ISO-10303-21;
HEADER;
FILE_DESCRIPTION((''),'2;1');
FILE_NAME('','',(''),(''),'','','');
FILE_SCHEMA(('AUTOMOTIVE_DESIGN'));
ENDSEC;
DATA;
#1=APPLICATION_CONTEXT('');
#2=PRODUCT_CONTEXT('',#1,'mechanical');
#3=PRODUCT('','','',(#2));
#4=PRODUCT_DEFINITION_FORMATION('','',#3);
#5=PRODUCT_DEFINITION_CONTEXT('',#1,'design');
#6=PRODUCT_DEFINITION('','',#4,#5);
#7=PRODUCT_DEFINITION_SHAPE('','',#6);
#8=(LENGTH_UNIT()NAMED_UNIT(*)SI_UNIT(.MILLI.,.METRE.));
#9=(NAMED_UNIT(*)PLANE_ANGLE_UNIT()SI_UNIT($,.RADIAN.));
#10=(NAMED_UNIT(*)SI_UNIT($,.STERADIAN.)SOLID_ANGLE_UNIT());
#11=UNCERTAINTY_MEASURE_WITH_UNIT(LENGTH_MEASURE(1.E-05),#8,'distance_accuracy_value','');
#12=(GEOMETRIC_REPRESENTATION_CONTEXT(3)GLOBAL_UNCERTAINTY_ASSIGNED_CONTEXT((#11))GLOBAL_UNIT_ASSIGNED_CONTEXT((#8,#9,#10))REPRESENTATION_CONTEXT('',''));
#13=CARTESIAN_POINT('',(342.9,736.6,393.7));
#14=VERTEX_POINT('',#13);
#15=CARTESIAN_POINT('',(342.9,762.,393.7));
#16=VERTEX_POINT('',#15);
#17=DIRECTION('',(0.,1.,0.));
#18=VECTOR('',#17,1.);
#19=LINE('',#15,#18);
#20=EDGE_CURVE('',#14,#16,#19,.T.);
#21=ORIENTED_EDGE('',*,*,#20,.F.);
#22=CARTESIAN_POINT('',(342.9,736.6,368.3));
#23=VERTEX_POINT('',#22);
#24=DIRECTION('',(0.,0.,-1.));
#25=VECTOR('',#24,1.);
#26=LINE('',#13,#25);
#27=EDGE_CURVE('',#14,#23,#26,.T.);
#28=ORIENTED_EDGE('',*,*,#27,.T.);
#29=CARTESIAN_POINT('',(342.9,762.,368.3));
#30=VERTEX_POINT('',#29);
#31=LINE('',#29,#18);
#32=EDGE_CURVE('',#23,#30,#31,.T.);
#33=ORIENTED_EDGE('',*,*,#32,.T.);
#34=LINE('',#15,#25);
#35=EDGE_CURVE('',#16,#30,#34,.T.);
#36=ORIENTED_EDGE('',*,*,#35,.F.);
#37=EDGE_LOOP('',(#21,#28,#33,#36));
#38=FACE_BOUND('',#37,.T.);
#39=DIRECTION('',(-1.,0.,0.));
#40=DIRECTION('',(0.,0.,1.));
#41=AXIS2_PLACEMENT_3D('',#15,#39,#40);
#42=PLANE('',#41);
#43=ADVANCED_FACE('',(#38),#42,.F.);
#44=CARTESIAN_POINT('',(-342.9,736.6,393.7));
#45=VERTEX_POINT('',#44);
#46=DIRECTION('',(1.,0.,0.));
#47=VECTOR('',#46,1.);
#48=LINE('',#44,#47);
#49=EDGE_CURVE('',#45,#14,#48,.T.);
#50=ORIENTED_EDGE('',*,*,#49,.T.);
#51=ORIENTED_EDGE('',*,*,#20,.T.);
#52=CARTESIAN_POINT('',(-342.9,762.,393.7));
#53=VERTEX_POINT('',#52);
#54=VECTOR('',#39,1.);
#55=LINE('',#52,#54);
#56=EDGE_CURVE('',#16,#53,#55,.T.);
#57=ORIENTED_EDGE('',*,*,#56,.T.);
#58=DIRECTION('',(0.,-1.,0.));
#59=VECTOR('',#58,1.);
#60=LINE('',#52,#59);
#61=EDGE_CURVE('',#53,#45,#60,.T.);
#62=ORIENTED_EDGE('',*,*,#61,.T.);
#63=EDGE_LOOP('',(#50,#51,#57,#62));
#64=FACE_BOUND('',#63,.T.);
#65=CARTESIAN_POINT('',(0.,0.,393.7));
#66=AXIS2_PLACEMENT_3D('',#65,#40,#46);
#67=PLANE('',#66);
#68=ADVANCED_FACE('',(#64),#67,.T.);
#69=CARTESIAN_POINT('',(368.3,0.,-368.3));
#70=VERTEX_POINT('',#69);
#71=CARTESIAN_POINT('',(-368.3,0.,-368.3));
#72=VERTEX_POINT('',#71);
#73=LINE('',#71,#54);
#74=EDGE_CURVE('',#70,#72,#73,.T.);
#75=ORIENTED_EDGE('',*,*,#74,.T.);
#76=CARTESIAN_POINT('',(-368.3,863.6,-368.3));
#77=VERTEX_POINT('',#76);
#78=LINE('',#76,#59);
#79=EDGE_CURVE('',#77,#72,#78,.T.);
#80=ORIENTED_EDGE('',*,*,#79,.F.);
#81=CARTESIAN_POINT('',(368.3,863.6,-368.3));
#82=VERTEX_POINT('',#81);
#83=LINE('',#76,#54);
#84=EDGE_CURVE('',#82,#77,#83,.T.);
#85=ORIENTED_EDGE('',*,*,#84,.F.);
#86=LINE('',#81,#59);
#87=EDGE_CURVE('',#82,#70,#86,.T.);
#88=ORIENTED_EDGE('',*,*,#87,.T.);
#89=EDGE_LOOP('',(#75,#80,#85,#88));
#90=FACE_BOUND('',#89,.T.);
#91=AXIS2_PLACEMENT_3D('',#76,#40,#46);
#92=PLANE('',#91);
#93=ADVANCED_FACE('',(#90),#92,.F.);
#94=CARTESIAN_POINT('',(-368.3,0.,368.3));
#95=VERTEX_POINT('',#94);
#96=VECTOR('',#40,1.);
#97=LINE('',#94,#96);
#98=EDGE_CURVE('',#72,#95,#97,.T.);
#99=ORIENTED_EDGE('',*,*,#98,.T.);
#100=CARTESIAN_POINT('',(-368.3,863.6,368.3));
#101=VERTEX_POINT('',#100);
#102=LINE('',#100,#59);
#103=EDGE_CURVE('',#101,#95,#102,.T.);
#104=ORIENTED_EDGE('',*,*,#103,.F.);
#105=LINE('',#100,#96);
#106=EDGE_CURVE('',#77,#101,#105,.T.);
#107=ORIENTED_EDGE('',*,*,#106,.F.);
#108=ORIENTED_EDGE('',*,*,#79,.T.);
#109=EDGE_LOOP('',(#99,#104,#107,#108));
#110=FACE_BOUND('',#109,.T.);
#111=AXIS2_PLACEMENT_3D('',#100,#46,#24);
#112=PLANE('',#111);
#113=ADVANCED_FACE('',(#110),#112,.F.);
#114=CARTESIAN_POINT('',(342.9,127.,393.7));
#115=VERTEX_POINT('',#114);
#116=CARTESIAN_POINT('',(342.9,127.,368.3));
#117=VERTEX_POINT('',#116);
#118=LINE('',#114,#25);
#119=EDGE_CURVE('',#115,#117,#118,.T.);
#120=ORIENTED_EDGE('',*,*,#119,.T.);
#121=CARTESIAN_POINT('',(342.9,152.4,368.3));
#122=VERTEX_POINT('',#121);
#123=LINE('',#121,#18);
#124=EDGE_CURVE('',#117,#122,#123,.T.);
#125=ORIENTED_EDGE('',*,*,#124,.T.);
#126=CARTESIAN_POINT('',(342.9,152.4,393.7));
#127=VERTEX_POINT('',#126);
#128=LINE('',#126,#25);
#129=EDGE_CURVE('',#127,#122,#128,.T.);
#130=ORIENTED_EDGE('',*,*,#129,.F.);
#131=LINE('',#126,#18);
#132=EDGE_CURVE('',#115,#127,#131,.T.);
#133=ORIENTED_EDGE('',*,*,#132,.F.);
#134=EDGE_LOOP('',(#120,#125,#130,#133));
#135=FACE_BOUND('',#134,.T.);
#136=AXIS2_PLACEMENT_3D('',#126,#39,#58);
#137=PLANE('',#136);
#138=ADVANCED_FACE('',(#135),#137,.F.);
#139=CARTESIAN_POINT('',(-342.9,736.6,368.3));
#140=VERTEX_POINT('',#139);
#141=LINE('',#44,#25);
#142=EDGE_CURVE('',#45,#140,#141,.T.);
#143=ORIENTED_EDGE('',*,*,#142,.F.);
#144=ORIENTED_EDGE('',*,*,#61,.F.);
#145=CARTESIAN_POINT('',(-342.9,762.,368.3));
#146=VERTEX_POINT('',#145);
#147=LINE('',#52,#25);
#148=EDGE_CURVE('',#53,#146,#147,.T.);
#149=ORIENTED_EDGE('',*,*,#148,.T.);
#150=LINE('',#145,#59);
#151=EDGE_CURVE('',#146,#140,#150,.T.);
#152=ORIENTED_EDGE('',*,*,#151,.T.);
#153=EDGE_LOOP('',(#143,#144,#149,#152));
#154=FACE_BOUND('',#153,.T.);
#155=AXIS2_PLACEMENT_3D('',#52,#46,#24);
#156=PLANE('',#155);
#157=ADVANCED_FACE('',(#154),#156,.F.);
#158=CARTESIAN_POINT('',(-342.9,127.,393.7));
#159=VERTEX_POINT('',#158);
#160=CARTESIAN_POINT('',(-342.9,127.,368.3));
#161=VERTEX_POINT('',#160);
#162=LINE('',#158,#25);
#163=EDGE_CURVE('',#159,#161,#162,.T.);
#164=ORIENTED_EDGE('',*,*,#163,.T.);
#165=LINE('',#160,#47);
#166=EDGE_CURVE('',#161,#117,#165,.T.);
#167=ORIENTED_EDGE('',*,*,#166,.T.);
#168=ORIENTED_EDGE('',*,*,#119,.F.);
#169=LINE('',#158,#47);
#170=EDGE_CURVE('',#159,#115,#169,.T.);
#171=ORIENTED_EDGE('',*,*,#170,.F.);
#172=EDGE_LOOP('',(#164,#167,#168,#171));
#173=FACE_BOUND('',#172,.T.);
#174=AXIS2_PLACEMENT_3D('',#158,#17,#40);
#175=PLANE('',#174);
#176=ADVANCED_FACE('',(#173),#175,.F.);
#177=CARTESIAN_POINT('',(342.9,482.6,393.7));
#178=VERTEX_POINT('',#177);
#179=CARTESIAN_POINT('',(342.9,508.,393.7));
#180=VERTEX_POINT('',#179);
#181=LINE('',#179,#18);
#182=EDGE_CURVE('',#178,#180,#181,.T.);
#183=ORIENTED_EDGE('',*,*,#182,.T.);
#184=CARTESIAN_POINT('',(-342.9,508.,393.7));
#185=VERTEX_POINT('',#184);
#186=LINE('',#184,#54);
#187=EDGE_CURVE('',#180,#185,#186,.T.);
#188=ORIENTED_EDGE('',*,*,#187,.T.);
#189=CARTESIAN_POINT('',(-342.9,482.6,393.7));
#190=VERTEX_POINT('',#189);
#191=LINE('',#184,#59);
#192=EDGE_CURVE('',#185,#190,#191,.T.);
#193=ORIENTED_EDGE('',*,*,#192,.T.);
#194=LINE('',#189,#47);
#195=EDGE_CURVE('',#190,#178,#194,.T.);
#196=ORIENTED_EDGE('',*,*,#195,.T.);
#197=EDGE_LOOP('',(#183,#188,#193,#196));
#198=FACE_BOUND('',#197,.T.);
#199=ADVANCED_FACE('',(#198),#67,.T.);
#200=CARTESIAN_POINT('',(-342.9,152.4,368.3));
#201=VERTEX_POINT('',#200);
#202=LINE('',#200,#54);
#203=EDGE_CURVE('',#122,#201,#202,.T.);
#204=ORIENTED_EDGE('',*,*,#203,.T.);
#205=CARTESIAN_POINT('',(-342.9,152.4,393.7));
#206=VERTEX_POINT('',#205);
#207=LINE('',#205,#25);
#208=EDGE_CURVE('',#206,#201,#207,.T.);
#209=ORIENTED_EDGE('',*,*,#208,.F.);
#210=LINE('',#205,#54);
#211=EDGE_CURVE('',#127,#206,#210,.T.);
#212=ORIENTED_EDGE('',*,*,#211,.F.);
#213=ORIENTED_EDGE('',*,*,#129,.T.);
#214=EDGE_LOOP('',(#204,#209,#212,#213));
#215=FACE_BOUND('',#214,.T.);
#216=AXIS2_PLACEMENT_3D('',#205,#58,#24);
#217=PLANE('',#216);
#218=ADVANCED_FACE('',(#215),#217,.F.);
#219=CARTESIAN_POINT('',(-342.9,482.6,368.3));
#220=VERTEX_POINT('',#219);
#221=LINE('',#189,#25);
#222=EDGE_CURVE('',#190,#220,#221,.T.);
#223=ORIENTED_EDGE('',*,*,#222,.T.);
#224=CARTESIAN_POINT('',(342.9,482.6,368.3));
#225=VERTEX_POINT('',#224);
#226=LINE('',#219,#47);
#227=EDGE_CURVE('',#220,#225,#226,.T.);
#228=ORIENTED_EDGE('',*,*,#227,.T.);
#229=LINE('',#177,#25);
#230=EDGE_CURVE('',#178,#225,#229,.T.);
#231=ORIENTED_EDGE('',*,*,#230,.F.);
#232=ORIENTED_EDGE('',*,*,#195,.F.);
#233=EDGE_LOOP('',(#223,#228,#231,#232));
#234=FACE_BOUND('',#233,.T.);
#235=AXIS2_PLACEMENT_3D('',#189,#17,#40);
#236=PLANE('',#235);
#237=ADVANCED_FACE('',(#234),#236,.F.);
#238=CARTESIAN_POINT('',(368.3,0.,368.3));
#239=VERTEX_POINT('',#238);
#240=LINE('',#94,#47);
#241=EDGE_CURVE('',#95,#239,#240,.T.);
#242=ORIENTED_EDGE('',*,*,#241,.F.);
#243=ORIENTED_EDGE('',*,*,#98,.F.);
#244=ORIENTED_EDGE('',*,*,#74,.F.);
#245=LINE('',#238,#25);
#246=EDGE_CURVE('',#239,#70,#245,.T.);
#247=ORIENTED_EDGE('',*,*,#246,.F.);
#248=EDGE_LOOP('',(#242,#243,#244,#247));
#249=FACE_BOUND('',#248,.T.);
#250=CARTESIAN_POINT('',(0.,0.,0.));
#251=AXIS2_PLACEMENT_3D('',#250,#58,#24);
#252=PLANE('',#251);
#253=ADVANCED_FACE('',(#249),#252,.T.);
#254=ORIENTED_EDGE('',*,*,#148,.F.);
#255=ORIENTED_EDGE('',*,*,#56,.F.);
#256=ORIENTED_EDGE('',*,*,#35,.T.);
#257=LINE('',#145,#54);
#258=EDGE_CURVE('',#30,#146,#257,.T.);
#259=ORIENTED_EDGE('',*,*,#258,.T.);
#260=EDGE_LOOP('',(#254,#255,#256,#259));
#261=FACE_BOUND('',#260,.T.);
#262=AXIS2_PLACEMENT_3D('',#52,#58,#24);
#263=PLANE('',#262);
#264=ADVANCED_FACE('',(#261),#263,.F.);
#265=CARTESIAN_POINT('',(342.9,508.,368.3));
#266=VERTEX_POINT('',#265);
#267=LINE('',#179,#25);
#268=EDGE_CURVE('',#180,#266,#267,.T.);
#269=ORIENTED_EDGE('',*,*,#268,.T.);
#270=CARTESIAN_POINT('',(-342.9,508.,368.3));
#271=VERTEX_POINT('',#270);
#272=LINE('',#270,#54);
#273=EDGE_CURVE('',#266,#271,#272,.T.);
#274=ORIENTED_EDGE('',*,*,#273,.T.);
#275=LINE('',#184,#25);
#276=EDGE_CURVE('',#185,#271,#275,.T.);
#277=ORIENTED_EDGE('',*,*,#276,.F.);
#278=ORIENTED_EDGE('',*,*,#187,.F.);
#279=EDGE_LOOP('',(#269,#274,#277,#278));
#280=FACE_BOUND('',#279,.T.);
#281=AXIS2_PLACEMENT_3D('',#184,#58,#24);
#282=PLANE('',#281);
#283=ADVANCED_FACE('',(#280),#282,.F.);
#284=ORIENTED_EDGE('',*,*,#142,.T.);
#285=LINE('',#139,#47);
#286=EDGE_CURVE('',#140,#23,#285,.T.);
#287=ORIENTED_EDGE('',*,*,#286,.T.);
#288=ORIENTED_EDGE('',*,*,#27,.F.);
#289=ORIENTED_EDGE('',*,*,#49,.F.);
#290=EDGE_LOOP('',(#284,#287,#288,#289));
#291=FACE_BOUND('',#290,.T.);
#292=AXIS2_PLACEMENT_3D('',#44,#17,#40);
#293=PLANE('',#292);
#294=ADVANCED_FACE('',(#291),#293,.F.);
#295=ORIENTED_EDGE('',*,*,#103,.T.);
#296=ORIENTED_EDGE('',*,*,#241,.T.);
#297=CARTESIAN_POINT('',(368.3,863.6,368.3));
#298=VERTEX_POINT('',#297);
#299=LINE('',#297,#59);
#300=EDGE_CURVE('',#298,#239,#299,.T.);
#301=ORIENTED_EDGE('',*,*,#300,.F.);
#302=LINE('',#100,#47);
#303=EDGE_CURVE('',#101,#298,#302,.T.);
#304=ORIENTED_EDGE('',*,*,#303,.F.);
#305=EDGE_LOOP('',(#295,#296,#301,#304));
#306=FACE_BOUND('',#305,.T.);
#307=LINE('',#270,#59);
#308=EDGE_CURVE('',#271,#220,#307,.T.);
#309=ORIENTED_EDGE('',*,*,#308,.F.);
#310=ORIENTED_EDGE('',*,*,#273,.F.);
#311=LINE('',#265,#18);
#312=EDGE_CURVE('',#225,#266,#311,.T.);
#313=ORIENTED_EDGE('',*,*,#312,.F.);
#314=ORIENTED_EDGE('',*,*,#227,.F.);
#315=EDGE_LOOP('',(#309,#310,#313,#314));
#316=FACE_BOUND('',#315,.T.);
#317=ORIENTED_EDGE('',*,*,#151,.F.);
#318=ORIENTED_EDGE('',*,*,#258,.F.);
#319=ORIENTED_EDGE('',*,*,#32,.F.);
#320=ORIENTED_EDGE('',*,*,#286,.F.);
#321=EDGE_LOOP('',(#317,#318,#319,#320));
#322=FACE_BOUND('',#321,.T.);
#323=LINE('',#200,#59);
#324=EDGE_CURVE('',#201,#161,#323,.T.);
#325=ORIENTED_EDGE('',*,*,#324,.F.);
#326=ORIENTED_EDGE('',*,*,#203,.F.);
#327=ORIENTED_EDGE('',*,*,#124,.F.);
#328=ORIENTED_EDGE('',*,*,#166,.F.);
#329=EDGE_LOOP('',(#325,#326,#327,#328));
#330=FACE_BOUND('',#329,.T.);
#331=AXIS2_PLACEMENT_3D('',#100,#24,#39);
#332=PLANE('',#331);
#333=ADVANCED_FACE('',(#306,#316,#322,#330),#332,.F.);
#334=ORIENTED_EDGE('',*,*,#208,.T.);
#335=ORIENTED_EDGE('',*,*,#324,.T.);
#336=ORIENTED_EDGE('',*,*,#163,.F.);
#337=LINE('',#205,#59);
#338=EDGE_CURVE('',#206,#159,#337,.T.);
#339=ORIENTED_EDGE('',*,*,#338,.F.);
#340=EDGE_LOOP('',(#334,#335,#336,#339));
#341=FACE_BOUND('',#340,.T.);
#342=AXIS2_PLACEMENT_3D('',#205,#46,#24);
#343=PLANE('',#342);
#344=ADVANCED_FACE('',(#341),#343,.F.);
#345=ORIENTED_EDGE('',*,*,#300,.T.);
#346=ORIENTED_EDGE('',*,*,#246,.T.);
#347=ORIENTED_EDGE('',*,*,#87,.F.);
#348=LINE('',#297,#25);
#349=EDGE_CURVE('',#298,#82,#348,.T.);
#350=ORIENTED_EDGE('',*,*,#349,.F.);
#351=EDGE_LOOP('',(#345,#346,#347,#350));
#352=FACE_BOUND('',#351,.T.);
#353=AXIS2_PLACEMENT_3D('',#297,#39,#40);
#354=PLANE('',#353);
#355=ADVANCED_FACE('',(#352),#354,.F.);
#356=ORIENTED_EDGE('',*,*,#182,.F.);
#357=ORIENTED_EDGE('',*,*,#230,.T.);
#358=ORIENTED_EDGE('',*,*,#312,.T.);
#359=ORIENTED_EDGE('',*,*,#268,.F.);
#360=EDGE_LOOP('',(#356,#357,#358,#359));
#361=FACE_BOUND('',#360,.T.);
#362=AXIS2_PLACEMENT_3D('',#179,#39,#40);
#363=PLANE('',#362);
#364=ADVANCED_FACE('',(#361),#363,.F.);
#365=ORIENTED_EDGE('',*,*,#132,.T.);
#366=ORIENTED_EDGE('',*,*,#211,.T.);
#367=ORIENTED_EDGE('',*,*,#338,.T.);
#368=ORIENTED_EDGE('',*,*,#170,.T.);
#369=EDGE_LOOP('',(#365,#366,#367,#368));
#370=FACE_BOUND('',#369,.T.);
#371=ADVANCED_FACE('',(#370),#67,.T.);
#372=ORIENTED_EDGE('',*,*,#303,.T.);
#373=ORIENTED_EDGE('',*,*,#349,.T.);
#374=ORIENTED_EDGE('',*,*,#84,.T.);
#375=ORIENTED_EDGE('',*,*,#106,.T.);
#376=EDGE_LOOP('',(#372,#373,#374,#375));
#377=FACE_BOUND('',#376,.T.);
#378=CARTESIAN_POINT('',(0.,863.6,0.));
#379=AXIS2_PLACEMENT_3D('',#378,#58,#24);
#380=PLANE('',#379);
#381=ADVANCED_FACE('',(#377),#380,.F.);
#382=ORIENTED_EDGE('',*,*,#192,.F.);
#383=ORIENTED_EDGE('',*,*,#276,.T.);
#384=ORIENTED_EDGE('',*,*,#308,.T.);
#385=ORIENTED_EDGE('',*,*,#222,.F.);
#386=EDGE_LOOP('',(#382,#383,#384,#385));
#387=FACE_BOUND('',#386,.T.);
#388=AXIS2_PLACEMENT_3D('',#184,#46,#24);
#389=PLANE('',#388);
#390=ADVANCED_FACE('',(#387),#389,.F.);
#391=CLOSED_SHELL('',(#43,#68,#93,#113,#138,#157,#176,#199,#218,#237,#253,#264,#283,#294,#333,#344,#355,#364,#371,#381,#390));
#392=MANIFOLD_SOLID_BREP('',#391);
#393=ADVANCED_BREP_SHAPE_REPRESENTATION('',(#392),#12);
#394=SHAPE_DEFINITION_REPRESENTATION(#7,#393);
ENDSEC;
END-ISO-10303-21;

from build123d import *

# Parameters (mm, degrees)
SKETCH1_W           = 736.6
SKETCH1_H           = 736.6
BOSS_EXTRUDE1_DEPTH = 863.6
SKETCH2_W           = 685.8
SKETCH2_H           = 25.4
BOSS_EXTRUDE2_DEPTH = 25.4


with BuildPart() as part:
    # Sketch1 → Boss-Extrude1 (new body)
    with BuildSketch(Plane(origin=(0, 0, 0), x_dir=(1, 0, 0), z_dir=(0, 1, 0))):
        Rectangle(SKETCH1_W, SKETCH1_H)
    extrude(amount=BOSS_EXTRUDE1_DEPTH)

    # Sketch2 → Boss-Extrude2 (add)
    with BuildSketch(Plane.XY.offset(368.3)):
        with Locations((0, 749.3)):
            Rectangle(SKETCH2_W, SKETCH2_H)
        with Locations((0, 495.3)):
            Rectangle(SKETCH2_W, SKETCH2_H)
        with Locations((0, 139.7)):
            Rectangle(SKETCH2_W, SKETCH2_H)
    extrude(amount=BOSS_EXTRUDE2_DEPTH)


solid = part.part
